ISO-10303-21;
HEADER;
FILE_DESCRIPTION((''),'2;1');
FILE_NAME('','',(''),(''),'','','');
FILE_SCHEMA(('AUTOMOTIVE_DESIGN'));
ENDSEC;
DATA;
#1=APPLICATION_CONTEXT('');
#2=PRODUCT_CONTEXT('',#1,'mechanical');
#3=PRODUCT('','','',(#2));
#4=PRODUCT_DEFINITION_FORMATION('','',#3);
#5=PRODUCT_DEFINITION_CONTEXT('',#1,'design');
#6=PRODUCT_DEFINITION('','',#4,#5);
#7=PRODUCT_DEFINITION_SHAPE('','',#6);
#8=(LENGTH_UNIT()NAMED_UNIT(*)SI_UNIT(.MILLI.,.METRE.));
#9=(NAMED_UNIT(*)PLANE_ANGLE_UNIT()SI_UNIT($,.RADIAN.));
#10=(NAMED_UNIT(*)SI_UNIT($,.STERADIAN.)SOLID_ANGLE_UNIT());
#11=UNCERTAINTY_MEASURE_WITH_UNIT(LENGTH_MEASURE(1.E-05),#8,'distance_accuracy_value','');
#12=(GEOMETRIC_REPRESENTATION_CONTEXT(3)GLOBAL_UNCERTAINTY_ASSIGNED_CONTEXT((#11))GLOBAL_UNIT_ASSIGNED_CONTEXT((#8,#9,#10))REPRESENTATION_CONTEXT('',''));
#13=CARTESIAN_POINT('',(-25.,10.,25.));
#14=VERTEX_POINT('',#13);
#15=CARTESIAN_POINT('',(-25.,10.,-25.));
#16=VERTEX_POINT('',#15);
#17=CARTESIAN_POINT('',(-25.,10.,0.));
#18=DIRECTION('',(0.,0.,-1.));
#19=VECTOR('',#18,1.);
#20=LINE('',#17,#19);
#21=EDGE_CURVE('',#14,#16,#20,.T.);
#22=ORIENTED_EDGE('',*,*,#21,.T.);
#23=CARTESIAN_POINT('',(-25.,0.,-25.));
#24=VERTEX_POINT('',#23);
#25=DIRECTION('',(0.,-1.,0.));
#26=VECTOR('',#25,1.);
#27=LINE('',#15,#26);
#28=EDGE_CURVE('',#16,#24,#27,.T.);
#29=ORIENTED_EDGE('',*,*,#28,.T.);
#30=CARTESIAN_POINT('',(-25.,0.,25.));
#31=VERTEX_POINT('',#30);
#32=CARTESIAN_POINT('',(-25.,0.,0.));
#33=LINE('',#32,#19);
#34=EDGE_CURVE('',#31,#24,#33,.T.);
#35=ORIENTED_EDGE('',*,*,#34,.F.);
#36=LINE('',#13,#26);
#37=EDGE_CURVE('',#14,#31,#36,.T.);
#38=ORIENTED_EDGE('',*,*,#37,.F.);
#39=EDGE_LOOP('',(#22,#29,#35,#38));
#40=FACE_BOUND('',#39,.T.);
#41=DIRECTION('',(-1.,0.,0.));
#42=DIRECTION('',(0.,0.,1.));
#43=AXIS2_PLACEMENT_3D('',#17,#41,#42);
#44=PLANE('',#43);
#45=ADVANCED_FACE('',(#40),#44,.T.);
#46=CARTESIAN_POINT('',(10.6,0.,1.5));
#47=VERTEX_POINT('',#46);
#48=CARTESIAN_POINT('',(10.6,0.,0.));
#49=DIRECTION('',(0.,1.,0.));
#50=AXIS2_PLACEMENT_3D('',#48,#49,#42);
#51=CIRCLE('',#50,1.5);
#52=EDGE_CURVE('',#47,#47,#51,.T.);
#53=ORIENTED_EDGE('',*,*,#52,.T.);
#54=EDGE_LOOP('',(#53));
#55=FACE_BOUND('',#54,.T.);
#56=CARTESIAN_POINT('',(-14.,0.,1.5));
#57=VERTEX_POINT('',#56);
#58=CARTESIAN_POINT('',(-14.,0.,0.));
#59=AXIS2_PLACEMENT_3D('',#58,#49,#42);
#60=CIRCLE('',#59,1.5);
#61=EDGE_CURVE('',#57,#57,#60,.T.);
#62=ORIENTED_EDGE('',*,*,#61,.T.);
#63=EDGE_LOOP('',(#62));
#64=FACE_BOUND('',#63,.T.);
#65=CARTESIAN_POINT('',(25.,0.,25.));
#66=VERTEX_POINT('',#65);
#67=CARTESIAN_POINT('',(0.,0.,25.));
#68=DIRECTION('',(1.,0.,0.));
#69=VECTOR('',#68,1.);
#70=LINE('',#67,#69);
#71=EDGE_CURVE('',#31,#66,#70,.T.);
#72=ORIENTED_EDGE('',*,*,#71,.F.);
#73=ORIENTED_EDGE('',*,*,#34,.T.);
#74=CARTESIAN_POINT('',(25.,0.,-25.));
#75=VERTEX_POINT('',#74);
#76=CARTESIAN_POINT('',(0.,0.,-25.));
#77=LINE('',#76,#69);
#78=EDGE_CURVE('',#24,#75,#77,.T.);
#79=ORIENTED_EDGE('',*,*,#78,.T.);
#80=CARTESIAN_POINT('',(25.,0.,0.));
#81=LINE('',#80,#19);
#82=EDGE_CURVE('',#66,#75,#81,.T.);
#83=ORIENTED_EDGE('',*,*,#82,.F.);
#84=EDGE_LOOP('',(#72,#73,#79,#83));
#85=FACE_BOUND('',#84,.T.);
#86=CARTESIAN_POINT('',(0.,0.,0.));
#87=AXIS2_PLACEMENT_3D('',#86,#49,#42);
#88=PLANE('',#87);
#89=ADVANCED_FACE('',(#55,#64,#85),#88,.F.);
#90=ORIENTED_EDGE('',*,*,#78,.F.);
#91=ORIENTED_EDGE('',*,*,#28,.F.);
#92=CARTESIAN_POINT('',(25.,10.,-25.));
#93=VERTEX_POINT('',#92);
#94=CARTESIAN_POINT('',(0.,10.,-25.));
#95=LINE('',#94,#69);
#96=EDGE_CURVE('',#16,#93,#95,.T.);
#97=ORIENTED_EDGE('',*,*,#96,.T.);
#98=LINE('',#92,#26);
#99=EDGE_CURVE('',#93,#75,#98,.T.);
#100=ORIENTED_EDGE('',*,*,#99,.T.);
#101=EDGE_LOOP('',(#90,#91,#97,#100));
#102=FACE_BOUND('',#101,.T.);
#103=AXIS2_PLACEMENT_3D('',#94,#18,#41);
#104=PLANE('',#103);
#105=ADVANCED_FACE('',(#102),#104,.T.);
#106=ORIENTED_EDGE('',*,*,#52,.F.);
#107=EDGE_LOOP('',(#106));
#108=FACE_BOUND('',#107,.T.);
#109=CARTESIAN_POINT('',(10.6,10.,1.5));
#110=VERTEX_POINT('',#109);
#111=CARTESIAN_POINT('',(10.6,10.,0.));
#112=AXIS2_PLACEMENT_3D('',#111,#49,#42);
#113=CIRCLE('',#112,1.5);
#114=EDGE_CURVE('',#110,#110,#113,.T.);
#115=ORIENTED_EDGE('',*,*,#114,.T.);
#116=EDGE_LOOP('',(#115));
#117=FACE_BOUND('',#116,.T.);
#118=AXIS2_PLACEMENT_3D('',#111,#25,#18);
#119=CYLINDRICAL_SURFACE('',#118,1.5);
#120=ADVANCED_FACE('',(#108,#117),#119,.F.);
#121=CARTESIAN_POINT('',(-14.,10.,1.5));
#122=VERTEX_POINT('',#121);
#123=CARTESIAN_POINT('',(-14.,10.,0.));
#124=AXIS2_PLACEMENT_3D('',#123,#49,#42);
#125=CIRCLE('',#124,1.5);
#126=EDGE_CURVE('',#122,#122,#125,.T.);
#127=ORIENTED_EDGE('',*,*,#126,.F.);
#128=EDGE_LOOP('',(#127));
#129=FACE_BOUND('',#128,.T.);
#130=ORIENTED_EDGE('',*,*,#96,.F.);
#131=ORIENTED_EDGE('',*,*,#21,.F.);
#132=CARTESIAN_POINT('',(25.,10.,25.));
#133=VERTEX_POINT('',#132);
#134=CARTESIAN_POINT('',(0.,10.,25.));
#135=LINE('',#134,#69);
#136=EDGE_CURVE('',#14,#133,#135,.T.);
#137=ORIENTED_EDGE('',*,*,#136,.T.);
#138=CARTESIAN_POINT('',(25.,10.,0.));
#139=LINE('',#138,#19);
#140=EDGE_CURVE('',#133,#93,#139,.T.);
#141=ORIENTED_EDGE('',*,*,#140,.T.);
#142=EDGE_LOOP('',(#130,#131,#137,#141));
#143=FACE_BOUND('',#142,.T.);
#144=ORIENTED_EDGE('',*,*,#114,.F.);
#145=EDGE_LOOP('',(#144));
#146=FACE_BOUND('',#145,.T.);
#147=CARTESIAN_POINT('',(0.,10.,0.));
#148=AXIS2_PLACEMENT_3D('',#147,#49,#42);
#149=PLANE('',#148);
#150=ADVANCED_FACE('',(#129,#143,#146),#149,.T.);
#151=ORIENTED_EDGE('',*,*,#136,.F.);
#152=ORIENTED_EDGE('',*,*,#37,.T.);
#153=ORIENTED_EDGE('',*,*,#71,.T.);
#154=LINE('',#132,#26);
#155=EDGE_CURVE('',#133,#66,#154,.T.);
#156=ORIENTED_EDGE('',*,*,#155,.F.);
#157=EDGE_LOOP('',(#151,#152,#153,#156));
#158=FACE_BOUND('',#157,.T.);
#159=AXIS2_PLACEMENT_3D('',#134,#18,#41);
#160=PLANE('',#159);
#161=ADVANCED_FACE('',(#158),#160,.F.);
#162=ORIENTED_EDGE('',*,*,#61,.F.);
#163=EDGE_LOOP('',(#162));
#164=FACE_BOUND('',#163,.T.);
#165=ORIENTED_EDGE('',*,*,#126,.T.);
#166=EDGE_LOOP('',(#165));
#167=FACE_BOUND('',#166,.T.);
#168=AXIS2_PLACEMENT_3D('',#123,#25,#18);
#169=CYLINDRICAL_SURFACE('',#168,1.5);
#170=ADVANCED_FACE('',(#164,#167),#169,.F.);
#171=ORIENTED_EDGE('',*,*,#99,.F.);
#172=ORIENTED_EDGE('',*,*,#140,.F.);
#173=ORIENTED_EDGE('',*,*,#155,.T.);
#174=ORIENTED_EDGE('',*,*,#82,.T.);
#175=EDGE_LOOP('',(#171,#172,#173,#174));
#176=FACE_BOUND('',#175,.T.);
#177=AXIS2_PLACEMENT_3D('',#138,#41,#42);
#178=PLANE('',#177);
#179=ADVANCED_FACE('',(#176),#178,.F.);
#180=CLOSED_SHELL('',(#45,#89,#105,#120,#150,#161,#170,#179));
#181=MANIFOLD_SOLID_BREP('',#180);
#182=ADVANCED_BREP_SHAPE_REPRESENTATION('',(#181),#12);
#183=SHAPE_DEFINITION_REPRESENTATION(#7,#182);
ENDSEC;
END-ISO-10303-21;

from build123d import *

# Parameters (mm, degrees)
EXTRUDE_1_DEPTH = 10


with BuildPart() as part:
    # ｽｹｯﾁ1 → ﾎﾞｽ - 押し出し1 (new body)
    with BuildSketch(Plane(origin=(0, 0, 0), x_dir=(1, 0, 0), z_dir=(0, 1, 0))):
        with BuildLine():
            ThreePointArc((9.1, 0), (10.6, 1.5), (12.1, 0))
            Line((12.1, 0), (25, 0))
            Line((25, 0), (25, 25))
            Line((25, 25), (-25, 25))
            Line((-25, 25), (-25, 0))
            Line((-25, 0), (-15.5, 0))
            ThreePointArc((-15.5, 0), (-14, 1.5), (-12.5, 0))
            Line((-12.5, 0), (0, 0))
            Line((0, 0), (9.1, 0))
        make_face()
        with BuildLine():
            Line((25, 0), (12.1, 0))
            ThreePointArc((12.1, 0), (10.6, -1.5), (9.1, 0))
            Line((9.1, 0), (0, 0))
            Line((0, 0), (-12.5, 0))
            ThreePointArc((-12.5, 0), (-14, -1.5), (-15.5, 0))
            Line((-15.5, 0), (-25, 0))
            Line((-25, 0), (-25, -25))
            Line((-25, -25), (25, -25))
            Line((25, -25), (25, 0))
        make_face()
    extrude(amount=EXTRUDE_1_DEPTH)


solid = part.part
